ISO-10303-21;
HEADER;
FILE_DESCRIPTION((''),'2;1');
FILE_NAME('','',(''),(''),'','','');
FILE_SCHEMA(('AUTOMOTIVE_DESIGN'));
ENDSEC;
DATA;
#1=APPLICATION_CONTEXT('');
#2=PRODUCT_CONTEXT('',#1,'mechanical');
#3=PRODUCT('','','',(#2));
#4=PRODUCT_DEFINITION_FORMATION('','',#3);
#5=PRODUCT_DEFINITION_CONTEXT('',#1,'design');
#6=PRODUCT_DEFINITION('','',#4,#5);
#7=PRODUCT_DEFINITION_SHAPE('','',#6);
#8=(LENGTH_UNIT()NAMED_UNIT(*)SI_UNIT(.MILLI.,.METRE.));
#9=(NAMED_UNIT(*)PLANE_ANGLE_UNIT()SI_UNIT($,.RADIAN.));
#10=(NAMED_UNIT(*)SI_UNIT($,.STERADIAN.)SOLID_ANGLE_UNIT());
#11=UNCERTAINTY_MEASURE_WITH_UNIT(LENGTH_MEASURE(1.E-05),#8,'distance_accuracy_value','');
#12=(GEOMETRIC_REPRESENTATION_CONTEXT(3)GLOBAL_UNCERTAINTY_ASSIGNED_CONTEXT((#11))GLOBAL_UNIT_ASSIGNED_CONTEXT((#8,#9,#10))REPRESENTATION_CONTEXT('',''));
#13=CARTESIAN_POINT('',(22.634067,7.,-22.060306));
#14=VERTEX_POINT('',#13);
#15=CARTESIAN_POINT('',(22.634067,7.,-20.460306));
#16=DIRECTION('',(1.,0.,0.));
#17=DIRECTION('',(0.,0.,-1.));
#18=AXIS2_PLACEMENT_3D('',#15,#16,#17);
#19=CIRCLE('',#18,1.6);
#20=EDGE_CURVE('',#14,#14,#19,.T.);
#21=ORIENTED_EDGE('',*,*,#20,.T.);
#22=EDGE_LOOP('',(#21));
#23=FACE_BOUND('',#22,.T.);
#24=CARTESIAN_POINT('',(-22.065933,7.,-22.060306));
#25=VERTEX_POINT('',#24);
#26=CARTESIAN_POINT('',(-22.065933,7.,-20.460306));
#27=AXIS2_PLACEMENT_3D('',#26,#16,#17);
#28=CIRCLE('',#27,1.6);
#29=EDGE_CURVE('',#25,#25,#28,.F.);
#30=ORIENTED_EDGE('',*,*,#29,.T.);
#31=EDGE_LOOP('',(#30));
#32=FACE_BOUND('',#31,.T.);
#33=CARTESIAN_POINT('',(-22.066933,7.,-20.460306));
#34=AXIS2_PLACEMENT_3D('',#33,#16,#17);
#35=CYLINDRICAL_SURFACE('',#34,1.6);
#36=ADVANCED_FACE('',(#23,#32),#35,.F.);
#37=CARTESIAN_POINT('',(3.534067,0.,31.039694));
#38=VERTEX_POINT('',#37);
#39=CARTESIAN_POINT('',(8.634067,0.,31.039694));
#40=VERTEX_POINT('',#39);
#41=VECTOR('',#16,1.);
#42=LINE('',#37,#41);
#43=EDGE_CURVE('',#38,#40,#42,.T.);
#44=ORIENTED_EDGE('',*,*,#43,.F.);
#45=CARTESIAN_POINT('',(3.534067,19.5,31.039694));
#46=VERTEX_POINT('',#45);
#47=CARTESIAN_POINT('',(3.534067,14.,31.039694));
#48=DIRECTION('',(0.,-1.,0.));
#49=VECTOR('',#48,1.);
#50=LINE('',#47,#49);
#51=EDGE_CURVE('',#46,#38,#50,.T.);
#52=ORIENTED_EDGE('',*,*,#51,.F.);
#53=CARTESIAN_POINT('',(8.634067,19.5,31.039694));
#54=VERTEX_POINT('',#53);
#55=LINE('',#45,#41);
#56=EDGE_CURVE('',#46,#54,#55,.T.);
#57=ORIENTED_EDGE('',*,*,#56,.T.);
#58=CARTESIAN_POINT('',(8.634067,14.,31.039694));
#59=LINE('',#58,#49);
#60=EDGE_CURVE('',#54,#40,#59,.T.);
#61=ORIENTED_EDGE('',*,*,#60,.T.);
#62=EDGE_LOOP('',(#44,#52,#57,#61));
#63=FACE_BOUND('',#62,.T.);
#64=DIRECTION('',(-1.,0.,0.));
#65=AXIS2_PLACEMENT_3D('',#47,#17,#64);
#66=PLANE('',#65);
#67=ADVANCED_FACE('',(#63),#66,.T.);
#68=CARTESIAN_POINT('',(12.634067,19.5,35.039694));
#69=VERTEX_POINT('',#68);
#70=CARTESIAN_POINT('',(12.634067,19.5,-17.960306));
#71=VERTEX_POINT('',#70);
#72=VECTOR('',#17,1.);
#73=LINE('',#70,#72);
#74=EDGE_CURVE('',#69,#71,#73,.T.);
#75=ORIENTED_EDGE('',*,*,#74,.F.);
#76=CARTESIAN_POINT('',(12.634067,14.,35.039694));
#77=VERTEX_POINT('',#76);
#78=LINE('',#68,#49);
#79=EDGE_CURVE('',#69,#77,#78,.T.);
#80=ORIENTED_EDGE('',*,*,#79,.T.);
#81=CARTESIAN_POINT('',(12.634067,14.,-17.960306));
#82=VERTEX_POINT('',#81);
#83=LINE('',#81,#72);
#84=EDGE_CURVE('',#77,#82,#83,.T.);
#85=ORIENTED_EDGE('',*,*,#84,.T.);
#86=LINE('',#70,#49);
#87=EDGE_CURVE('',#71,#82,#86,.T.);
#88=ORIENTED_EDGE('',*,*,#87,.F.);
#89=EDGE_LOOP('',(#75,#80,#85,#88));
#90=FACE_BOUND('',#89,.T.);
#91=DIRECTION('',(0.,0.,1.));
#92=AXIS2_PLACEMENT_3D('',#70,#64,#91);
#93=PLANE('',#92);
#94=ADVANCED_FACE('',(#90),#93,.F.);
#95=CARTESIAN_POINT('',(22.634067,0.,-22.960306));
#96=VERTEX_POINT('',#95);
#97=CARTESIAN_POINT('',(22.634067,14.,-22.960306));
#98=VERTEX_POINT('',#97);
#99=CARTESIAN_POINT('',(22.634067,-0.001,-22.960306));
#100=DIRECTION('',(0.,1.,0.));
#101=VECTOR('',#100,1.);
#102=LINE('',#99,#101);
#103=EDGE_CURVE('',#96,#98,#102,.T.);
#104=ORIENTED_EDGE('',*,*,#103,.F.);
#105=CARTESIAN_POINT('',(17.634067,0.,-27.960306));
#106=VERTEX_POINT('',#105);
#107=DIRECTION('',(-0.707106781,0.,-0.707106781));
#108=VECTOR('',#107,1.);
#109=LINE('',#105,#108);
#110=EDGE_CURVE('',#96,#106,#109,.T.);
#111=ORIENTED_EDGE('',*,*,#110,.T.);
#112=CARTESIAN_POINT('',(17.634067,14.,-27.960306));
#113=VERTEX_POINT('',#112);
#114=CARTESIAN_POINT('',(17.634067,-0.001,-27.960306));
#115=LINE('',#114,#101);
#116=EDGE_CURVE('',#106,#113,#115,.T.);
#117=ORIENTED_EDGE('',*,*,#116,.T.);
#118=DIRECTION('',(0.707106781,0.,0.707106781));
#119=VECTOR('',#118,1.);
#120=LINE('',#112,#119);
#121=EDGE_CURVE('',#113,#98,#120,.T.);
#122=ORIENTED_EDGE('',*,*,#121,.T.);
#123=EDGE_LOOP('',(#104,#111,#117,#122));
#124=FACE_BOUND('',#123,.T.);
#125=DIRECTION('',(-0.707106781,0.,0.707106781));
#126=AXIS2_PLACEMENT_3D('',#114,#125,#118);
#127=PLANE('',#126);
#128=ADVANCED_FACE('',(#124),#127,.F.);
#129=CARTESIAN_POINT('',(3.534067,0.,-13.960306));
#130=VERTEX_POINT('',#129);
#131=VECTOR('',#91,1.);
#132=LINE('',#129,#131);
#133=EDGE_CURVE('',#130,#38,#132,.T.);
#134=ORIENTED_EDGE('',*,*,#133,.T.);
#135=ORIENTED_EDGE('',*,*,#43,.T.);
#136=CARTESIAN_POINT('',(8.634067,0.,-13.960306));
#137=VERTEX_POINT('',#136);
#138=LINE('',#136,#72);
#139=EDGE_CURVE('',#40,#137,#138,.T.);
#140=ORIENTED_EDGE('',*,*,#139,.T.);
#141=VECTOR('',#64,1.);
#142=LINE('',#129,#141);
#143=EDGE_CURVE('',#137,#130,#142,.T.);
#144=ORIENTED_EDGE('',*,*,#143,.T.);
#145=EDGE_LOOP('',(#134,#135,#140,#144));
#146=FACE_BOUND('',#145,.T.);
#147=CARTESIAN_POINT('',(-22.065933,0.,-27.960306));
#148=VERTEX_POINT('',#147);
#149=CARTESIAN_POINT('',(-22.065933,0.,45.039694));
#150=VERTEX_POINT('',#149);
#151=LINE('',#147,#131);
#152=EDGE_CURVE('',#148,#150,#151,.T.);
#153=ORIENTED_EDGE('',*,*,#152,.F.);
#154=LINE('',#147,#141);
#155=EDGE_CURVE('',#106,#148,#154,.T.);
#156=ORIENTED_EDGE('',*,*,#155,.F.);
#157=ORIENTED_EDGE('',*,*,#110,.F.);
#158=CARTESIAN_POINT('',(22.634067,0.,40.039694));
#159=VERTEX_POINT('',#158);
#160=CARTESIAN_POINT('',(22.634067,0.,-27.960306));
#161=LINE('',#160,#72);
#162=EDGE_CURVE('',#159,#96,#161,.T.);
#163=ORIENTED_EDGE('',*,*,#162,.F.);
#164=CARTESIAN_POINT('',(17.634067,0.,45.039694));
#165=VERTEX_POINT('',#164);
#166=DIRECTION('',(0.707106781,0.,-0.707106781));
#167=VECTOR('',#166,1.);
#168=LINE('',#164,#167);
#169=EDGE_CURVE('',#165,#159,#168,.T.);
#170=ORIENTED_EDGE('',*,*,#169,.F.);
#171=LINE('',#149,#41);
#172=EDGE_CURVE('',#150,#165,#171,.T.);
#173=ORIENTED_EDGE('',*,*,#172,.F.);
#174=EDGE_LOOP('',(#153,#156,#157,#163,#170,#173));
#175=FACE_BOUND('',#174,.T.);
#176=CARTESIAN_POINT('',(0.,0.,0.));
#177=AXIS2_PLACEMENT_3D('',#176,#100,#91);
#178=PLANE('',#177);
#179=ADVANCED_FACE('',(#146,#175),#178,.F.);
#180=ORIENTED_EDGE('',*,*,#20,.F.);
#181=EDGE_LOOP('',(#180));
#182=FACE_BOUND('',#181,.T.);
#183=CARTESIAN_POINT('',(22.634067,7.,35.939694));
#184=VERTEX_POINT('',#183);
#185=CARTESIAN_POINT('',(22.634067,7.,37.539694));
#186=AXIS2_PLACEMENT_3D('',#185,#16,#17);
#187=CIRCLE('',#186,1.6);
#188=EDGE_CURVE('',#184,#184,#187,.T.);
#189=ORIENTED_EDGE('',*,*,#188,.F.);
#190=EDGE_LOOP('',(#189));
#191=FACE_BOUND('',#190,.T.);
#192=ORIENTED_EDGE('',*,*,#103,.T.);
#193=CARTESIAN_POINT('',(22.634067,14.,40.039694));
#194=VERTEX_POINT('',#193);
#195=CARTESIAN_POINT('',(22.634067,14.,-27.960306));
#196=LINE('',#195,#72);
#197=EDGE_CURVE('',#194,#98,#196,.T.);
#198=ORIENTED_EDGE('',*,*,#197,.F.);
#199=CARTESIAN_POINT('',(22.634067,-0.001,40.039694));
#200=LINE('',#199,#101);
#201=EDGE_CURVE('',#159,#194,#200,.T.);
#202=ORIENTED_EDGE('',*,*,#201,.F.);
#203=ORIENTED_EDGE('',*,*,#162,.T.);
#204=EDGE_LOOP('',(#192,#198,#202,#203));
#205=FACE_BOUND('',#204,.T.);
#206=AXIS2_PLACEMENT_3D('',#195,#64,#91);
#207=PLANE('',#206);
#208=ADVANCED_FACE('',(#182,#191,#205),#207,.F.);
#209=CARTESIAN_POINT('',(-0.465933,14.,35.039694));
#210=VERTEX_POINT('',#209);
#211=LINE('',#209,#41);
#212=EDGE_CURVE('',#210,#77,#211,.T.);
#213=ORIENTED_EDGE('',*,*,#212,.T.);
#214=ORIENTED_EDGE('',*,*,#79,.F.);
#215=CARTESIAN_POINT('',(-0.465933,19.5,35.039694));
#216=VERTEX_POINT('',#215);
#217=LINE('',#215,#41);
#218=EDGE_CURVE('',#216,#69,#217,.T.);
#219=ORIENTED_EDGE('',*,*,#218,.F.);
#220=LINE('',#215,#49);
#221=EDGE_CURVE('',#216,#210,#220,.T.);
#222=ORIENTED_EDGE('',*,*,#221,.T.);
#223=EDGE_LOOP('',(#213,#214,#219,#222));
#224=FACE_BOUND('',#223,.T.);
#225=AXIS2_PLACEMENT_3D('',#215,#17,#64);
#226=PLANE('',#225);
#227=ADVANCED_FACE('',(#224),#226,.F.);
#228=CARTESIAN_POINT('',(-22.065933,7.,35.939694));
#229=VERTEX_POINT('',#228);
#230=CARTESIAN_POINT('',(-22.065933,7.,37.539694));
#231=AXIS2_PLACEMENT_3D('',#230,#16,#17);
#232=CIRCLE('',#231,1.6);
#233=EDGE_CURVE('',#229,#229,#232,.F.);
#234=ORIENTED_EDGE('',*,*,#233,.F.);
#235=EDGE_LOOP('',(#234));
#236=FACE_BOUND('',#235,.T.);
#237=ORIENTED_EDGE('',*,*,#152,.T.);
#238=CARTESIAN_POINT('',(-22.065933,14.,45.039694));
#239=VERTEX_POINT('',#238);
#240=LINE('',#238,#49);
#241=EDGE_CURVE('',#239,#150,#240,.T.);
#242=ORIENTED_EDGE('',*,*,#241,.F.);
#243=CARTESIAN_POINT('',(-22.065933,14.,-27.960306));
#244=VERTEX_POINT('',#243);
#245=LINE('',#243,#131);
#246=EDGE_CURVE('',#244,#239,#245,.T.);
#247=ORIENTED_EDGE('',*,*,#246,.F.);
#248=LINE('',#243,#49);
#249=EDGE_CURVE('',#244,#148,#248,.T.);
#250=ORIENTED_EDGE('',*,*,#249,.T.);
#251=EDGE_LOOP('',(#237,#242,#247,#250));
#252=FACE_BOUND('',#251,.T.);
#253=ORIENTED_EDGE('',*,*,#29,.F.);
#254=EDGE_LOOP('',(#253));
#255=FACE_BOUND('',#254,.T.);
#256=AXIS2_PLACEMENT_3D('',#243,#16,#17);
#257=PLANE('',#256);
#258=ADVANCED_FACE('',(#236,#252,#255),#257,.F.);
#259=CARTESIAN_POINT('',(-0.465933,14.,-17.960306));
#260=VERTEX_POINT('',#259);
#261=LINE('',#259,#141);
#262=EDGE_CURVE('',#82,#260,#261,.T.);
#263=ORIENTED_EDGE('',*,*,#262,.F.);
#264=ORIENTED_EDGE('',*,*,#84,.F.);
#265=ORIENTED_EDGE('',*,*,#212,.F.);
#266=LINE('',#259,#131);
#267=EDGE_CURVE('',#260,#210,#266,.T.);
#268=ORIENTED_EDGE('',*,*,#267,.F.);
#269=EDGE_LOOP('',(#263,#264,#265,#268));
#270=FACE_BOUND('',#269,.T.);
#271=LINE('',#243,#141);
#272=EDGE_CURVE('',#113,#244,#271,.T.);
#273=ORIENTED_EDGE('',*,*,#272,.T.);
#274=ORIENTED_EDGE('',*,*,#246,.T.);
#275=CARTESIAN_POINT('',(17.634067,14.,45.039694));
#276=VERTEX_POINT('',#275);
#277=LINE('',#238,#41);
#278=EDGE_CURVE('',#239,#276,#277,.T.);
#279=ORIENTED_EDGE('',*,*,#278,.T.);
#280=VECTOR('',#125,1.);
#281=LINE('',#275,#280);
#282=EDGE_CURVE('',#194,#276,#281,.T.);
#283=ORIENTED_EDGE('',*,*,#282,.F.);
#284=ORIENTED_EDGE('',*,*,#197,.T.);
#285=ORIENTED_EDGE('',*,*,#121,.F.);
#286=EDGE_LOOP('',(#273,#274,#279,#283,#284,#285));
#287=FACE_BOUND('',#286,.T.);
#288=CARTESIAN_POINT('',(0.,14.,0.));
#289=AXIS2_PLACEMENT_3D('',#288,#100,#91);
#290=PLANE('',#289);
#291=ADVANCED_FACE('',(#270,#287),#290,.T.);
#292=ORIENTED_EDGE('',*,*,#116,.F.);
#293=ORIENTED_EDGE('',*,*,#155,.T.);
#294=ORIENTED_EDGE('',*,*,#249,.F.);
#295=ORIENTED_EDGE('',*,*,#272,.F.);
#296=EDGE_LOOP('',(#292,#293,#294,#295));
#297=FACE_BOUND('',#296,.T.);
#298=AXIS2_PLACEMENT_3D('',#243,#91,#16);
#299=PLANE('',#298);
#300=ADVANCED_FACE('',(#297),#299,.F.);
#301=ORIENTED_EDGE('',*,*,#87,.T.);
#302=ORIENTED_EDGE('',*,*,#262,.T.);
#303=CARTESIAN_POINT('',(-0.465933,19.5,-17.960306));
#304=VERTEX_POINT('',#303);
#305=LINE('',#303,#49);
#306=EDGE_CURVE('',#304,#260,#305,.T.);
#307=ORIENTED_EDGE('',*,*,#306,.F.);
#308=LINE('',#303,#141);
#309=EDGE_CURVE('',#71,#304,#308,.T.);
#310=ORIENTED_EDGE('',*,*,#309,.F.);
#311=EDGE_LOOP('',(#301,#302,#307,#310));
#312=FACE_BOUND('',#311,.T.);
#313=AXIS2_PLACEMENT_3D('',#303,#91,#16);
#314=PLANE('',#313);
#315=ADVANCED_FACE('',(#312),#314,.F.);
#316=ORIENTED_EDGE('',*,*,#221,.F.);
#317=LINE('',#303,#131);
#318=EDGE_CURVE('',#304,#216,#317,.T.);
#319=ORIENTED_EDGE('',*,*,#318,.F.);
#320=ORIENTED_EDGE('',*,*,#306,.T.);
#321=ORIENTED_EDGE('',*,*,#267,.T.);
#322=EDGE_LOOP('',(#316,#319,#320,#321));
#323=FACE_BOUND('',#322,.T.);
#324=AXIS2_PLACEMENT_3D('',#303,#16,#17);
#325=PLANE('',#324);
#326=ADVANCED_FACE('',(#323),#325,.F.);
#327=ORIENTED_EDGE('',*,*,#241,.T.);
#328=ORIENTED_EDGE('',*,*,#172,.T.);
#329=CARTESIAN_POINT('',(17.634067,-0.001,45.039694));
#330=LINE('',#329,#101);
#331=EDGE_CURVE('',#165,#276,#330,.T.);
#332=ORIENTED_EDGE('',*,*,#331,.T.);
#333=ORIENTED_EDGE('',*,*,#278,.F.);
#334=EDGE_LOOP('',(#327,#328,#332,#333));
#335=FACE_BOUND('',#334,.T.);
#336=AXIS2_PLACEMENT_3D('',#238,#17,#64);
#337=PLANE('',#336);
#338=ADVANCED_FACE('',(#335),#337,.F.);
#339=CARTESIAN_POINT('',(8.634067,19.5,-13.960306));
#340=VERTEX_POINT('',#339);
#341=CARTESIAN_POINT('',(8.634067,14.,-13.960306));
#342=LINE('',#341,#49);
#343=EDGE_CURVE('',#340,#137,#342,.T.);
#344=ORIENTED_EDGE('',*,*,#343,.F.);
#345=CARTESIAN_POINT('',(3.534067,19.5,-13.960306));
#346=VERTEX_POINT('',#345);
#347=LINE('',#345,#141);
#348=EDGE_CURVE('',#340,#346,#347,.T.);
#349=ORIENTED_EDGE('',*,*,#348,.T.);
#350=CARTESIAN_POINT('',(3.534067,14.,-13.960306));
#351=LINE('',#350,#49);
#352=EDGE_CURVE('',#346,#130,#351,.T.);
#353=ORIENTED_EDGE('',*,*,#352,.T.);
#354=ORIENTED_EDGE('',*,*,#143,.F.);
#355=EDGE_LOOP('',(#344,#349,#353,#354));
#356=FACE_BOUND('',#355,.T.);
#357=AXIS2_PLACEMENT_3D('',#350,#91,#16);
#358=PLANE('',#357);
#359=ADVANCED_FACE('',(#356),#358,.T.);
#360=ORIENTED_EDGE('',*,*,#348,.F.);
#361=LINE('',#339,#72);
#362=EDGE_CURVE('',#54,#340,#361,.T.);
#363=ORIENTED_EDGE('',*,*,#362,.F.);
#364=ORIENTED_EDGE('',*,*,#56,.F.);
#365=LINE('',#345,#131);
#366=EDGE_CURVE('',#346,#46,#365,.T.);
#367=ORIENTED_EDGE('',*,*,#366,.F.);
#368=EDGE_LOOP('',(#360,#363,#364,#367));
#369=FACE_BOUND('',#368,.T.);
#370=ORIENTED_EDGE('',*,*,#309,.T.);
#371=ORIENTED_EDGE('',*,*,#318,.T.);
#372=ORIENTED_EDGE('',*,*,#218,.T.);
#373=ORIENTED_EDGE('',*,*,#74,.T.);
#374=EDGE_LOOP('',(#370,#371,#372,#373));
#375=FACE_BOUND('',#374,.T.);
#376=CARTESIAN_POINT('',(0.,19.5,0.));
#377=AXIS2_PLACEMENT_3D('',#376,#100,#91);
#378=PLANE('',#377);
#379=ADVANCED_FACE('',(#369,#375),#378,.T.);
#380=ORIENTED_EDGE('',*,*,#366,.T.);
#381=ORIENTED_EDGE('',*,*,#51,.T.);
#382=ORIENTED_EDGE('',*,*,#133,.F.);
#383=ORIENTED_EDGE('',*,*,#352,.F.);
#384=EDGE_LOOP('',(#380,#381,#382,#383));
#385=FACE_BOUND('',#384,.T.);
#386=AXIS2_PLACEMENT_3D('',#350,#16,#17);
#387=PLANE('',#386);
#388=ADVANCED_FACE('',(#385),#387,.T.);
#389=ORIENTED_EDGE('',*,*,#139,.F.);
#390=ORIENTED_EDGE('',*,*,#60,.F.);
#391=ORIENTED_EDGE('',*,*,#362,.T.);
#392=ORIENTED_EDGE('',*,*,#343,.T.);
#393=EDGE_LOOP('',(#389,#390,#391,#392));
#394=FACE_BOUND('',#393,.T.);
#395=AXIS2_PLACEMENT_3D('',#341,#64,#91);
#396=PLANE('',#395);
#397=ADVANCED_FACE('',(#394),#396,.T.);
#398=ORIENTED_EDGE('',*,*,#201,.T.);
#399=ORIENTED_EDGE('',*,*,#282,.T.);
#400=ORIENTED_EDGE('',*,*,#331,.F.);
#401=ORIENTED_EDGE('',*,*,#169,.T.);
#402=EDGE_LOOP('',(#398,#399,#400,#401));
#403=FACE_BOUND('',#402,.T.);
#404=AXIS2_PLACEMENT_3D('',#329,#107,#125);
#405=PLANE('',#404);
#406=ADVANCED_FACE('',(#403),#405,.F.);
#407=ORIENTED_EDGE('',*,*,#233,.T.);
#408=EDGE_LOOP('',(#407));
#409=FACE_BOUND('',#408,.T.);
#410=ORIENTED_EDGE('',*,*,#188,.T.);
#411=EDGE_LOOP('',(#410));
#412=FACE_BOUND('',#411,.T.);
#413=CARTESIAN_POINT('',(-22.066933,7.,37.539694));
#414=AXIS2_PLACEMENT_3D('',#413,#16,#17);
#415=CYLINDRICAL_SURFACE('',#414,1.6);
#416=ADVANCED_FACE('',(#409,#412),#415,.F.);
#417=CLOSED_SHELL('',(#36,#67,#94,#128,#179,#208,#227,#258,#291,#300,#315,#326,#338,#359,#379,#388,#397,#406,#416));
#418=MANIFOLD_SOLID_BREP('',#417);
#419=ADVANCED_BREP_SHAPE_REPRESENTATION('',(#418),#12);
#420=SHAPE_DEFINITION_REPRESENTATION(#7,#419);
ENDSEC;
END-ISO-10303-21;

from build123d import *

# Parameters (mm, degrees)
SKETCH1_W           = 44.7
SKETCH1_H           = 73
SKETCH1_W_2         = 5.1
SKETCH1_H_2         = 45
BOSS_EXTRUDE1_DEPTH = 14
CUT_EXTRUDE1_REACH  = 46.7
SKETCH2_R           = 1.6
SKETCH3_W           = 13.1
SKETCH3_H           = 53
SKETCH3_W_2         = 5.1
SKETCH3_H_2         = 45
BOSS_EXTRUDE2_DEPTH = 5.5
CUT_EXTRUDE2_REACH  = 16


with BuildPart() as part:
    # Sketch1 → Boss-Extrude1 (new body)
    with BuildSketch(Plane(origin=(0, 0, 0), x_dir=(1, 0, 0), z_dir=(0, 1, 0))):
        with Locations((0.284066801, -8.539694425)):
            Rectangle(SKETCH1_W, SKETCH1_H)
        with Locations((6.084066801, -8.539694425)):
            Rectangle(SKETCH1_W_2, SKETCH1_H_2, mode=Mode.SUBTRACT)
    extrude(amount=BOSS_EXTRUDE1_DEPTH)

    # Sketch2 → Cut-Extrude1 (cut, up to next)
    with BuildSketch(Plane(origin=(22.634066801, 0, 0), x_dir=(0, 0, -1), z_dir=(1, 0, 0)), mode=Mode.PRIVATE) as cut_extrude1_sk1:
        with Locations((-37.539694425, 7)):
            Circle(SKETCH2_R)
    cut_extrude1_tool1 = extrude(cut_extrude1_sk1.sketch, amount=-CUT_EXTRUDE1_REACH, mode=Mode.PRIVATE) & part.part
    add(cut_extrude1_tool1.solids().sort_by_distance((22.634067, 7, 37.539694))[0], mode=Mode.SUBTRACT)
    # Sketch2 → Cut-Extrude1 (cut, up to next)
    with BuildSketch(Plane(origin=(22.634066801, 0, 0), x_dir=(0, 0, -1), z_dir=(1, 0, 0)), mode=Mode.PRIVATE) as cut_extrude1_sk2:
        with Locations((20.460305575, 7)):
            Circle(SKETCH2_R)
    cut_extrude1_tool2 = extrude(cut_extrude1_sk2.sketch, amount=-CUT_EXTRUDE1_REACH, mode=Mode.PRIVATE) & part.part
    add(cut_extrude1_tool2.solids().sort_by_distance((22.634067, 7, -20.460306))[0], mode=Mode.SUBTRACT)

    # Sketch3 → Boss-Extrude2 (add)
    with BuildSketch(Plane(origin=(0, 14, 0), x_dir=(1, 0, 0), z_dir=(0, 1, 0))):
        with Locations((6.084066801, -8.539694425)):
            Rectangle(SKETCH3_W, SKETCH3_H)
        with Locations((6.084066801, -8.539694425)):
            Rectangle(SKETCH3_W_2, SKETCH3_H_2, mode=Mode.SUBTRACT)
    extrude(amount=BOSS_EXTRUDE2_DEPTH)

    # Sketch4 → Cut-Extrude2 (cut, up to next)
    with BuildSketch(Plane(origin=(0, 14, 0), x_dir=(1, 0, 0), z_dir=(0, 1, 0)), mode=Mode.PRIVATE) as cut_extrude2_sk1:
        Polygon((17.634066801, 27.960305575), (22.634066801, 22.960305575), (22.634066801, 27.960305575), align=None)
    cut_extrude2_tool1 = extrude(cut_extrude2_sk1.sketch, amount=-CUT_EXTRUDE2_REACH, mode=Mode.PRIVATE) & part.part
    add(cut_extrude2_tool1.solids().sort_by_distance((20.9674, 14, -26.293639))[0], mode=Mode.SUBTRACT)
    # Sketch4 → Cut-Extrude2 (cut, up to next)
    with BuildSketch(Plane(origin=(0, 14, 0), x_dir=(1, 0, 0), z_dir=(0, 1, 0)), mode=Mode.PRIVATE) as cut_extrude2_sk2:
        Polygon((17.634066801, -45.039694425), (22.634066801, -40.039694425), (22.634066801, -45.039694425), align=None)
    cut_extrude2_tool2 = extrude(cut_extrude2_sk2.sketch, amount=-CUT_EXTRUDE2_REACH, mode=Mode.PRIVATE) & part.part
    add(cut_extrude2_tool2.solids().sort_by_distance((20.9674, 14, 43.373028))[0], mode=Mode.SUBTRACT)


solid = part.part
